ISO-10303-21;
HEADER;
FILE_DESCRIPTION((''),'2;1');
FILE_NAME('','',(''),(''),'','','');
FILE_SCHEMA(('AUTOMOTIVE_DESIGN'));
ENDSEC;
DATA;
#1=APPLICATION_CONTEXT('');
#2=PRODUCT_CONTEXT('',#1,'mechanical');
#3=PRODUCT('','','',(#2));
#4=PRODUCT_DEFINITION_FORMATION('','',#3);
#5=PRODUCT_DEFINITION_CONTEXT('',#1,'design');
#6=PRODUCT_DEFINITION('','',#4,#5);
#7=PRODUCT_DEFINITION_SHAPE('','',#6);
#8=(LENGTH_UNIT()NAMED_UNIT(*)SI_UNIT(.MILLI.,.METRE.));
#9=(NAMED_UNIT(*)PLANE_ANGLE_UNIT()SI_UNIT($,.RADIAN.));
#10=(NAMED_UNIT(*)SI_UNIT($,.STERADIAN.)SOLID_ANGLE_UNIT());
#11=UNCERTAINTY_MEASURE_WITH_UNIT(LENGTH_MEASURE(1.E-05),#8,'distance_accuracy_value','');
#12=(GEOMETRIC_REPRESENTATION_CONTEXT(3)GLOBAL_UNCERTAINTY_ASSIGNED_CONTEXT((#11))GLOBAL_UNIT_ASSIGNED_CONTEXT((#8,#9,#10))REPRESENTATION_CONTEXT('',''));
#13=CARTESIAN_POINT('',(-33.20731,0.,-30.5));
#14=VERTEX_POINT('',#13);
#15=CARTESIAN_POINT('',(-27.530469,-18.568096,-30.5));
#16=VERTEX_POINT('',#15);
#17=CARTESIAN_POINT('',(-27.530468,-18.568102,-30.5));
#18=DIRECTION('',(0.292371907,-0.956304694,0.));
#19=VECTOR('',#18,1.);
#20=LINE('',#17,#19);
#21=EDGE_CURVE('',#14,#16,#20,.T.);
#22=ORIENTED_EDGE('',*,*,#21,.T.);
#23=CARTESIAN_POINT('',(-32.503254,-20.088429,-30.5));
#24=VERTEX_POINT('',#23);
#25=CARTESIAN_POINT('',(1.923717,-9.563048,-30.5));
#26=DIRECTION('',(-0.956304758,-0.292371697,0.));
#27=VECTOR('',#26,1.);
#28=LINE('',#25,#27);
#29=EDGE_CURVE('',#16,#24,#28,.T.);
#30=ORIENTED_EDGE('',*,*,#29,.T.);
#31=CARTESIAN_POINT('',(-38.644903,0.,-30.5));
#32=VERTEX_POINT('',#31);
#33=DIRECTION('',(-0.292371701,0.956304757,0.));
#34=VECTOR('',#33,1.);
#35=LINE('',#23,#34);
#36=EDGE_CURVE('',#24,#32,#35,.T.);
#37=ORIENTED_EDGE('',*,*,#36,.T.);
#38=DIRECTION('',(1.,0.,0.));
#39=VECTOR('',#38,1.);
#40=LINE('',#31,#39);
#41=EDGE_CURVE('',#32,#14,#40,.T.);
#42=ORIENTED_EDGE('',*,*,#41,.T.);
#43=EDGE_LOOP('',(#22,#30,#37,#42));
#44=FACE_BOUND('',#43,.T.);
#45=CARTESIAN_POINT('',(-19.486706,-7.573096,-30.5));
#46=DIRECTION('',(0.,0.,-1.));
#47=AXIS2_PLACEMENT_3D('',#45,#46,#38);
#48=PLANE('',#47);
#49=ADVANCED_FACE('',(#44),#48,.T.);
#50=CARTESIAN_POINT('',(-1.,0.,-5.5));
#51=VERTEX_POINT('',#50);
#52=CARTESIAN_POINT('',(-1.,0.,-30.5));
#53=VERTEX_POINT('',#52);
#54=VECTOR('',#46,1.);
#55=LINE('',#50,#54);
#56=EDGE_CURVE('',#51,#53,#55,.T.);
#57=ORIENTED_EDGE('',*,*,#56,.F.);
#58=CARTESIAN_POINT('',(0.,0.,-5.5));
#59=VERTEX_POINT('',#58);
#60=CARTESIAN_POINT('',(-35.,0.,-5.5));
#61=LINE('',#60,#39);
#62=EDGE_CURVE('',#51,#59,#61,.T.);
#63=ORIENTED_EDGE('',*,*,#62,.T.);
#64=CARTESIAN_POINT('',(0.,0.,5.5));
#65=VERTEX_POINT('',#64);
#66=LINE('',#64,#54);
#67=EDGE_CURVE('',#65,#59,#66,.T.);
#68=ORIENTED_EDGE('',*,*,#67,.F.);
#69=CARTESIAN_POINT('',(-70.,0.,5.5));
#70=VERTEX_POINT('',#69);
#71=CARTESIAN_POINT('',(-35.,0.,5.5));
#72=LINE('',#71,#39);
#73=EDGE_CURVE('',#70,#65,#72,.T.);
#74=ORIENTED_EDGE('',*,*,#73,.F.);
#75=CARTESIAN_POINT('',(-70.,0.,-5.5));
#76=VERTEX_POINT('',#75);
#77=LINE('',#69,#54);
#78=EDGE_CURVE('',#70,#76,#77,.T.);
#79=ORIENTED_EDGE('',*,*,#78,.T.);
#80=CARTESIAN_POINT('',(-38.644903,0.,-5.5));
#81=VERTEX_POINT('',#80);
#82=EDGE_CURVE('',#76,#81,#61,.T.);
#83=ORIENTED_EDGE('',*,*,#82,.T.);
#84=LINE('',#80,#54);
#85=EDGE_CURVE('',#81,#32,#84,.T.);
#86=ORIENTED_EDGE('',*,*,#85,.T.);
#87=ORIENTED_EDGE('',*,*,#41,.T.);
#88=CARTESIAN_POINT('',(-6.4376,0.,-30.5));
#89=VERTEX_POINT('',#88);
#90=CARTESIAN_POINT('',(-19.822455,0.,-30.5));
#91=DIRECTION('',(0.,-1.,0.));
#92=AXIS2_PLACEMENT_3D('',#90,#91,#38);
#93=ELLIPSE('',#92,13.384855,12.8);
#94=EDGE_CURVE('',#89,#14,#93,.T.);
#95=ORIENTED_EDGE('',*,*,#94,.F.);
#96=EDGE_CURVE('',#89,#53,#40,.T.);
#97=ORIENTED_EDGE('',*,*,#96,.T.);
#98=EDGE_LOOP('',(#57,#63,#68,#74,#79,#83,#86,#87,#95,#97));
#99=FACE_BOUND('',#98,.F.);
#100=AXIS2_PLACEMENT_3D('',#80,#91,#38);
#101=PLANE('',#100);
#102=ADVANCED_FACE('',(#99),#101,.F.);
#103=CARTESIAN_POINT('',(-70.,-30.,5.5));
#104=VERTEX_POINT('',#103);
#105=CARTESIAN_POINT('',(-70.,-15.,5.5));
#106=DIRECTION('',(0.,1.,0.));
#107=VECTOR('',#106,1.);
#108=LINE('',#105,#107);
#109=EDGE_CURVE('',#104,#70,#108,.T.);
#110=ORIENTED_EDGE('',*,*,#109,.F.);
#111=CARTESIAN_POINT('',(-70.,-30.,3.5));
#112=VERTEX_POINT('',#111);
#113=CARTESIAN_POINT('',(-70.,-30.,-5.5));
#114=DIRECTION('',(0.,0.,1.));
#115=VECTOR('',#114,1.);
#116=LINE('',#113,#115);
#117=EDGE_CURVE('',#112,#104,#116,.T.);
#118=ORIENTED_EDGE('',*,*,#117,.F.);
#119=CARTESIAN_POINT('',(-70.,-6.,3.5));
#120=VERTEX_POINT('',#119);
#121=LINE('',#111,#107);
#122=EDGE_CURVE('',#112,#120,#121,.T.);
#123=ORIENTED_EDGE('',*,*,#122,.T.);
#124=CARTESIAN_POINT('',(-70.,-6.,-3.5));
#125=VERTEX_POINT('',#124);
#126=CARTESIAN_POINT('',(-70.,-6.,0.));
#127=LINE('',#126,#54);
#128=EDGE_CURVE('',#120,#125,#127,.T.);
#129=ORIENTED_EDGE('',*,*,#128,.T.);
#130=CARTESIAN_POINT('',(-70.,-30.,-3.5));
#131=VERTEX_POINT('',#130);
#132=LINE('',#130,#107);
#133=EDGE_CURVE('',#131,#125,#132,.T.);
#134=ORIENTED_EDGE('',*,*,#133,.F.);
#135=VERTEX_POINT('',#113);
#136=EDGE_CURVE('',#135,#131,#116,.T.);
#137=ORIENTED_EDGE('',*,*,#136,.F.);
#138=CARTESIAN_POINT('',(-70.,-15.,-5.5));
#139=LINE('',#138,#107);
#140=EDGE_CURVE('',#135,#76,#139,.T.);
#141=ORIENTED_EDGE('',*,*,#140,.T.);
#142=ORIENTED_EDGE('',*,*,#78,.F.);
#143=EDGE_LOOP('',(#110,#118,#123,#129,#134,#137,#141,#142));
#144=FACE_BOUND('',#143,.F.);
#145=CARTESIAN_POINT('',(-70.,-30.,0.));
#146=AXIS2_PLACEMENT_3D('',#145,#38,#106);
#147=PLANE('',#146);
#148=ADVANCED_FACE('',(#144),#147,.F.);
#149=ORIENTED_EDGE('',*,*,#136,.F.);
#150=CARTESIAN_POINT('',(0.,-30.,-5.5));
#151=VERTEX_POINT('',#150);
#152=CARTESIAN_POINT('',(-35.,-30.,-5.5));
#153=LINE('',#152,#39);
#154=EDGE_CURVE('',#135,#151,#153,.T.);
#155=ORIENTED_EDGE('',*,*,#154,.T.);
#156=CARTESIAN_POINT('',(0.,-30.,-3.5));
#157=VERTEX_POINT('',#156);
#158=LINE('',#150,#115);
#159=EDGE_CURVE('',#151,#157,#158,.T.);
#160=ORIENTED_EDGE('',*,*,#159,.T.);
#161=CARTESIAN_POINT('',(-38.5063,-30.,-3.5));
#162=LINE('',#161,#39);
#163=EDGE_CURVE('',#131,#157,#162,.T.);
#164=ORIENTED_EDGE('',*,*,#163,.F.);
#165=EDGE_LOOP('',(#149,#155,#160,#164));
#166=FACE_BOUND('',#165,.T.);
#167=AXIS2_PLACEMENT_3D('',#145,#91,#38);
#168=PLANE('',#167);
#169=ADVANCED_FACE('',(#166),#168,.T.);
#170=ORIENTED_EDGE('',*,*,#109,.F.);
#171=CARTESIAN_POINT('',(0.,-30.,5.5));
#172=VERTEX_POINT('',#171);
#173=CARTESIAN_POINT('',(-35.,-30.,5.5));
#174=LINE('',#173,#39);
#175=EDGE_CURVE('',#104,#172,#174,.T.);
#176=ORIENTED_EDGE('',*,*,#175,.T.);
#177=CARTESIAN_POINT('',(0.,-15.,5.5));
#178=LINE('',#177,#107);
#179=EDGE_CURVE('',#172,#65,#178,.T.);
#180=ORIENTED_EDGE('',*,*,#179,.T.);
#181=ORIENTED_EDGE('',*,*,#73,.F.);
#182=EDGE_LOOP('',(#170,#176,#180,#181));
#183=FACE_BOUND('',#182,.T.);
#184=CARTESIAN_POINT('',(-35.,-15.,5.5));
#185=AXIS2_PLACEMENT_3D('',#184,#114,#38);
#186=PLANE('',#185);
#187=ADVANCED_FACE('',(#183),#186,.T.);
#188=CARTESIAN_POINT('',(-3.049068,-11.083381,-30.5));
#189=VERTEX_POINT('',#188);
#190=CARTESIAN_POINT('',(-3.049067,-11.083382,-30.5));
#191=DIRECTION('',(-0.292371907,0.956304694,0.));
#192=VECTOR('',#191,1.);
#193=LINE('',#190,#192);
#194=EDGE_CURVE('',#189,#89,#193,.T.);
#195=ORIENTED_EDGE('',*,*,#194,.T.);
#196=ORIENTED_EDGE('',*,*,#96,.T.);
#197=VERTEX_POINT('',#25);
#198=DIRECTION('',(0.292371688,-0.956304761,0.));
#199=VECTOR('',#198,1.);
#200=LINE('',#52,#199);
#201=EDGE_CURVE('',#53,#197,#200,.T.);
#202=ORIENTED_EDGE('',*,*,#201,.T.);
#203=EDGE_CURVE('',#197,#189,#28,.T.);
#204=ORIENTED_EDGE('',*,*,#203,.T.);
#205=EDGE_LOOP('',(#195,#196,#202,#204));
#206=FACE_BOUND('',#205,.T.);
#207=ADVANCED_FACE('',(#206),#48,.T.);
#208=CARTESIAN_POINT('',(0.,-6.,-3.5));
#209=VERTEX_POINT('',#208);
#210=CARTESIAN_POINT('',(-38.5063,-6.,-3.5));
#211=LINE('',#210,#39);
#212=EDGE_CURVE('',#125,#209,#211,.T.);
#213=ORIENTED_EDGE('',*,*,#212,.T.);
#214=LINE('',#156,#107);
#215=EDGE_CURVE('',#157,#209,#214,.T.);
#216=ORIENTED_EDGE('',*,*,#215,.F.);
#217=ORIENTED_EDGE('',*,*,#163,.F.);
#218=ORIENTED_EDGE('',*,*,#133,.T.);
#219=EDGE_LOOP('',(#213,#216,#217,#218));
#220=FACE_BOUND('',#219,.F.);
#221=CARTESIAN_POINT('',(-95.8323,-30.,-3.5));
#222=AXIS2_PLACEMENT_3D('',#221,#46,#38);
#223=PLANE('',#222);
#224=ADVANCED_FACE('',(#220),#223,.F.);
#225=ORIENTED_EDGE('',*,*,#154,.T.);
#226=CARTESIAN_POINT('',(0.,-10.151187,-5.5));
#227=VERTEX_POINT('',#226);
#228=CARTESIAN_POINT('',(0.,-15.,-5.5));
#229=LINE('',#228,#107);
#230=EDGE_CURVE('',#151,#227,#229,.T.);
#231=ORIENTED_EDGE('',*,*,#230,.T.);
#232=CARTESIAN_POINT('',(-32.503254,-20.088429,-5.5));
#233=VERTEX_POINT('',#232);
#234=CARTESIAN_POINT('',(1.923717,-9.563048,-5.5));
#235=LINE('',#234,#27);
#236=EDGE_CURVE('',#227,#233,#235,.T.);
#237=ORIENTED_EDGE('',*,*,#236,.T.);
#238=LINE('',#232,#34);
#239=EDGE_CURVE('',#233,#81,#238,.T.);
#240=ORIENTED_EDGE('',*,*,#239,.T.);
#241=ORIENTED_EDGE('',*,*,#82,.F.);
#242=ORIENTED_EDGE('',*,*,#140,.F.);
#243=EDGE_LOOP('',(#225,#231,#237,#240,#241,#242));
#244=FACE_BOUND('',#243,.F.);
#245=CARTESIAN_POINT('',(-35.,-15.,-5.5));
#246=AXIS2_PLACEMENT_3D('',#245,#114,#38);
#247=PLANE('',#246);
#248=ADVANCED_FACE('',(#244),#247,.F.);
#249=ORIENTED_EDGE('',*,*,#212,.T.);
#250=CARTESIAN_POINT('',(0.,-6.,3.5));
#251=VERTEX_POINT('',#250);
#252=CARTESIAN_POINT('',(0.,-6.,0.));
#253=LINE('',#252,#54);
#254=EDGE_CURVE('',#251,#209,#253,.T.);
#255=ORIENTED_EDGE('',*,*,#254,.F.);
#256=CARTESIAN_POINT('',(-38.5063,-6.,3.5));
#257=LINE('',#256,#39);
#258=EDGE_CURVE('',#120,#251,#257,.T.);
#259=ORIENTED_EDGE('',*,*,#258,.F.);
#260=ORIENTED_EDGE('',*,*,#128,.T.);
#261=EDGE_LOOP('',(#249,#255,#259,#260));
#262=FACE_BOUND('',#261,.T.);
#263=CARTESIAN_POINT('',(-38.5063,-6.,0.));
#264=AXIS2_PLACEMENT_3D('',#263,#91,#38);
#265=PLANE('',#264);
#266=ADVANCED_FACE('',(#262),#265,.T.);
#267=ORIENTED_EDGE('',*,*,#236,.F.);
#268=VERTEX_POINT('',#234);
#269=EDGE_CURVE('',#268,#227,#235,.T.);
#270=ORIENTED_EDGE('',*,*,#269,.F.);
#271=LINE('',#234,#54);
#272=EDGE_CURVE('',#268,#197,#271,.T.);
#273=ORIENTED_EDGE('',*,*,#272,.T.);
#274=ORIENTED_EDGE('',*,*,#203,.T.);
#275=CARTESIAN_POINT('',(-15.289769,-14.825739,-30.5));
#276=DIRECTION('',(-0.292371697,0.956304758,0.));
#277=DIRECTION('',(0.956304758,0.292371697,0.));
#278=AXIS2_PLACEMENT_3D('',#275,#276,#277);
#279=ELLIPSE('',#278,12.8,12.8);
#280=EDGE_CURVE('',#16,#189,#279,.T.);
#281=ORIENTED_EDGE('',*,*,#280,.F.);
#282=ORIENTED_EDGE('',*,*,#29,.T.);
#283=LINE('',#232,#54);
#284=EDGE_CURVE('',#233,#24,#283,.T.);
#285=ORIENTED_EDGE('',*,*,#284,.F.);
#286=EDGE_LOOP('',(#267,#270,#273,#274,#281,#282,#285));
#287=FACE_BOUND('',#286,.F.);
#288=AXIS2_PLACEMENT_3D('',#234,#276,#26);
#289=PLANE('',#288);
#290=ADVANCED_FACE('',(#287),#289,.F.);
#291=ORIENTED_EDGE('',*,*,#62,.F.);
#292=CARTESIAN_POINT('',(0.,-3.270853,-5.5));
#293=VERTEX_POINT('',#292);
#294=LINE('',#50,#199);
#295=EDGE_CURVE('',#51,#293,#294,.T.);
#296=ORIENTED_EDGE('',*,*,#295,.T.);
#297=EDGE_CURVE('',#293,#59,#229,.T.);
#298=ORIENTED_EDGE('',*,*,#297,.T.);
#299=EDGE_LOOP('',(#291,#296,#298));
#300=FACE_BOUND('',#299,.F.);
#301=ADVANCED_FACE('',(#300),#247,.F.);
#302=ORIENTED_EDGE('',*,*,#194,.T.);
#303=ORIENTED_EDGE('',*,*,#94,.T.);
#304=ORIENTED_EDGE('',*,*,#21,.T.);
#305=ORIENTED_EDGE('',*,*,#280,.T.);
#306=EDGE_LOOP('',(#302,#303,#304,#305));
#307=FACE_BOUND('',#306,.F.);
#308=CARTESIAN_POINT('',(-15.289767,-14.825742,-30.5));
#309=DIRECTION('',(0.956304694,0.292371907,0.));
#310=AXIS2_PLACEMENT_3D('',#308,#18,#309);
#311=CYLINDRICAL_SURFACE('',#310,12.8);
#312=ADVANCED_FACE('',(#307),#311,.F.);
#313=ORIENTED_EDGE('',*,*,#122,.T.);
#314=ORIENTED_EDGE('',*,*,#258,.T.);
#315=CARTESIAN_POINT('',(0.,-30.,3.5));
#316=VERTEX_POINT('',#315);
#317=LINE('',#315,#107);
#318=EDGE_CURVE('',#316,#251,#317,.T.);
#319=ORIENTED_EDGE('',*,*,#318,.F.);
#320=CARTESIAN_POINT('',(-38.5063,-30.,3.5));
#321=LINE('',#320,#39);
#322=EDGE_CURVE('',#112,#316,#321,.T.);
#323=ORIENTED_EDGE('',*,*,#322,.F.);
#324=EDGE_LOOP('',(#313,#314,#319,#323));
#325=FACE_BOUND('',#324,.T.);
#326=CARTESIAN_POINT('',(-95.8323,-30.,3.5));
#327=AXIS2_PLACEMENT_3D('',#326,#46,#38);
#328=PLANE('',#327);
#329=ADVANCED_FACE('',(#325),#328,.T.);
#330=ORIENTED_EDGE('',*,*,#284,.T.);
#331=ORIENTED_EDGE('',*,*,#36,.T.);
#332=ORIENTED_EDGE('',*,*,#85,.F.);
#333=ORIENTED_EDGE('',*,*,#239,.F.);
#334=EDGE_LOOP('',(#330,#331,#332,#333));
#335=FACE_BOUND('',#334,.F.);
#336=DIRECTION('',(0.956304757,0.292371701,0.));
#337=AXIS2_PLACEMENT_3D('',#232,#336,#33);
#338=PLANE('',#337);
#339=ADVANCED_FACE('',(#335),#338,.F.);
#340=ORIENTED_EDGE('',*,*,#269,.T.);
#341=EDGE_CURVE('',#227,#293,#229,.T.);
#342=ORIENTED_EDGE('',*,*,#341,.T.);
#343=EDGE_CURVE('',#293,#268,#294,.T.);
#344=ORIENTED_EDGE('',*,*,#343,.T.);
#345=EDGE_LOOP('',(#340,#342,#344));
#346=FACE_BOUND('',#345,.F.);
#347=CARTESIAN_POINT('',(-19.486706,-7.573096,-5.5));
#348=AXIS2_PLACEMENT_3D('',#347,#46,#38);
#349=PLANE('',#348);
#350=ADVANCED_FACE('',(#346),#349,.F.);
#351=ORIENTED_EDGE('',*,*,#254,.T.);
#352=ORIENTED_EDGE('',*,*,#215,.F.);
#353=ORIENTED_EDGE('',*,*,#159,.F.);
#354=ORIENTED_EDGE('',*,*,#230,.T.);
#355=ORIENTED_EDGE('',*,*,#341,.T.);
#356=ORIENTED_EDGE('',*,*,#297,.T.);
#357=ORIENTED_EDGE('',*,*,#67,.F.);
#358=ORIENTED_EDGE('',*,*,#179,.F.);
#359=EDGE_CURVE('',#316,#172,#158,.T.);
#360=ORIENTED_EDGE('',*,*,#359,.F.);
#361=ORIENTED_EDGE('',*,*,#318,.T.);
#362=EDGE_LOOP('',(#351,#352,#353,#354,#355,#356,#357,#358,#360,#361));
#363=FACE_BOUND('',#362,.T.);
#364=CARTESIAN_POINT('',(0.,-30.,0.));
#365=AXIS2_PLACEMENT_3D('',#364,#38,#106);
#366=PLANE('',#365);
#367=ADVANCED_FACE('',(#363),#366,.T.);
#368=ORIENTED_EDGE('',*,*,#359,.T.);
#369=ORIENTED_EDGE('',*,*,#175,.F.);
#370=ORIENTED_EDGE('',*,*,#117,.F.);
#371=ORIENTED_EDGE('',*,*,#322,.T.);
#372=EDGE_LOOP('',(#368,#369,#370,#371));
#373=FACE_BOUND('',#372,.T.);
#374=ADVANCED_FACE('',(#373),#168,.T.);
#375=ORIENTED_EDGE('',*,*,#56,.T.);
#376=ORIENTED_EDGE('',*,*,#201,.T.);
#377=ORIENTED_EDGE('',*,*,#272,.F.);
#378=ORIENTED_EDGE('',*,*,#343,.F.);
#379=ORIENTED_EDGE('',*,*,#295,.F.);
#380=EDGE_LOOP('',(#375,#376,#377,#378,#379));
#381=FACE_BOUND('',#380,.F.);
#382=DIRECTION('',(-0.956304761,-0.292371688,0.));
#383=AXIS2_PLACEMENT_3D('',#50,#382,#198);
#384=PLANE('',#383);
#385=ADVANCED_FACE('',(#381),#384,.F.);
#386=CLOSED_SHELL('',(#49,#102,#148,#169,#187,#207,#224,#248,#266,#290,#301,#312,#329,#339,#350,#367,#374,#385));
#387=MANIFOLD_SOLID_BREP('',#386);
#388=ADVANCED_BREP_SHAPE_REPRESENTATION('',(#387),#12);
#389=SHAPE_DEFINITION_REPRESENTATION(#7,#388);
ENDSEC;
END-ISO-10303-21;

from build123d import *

# Parameters (mm, degrees)
SKETCH_W        = 70
SKETCH_H        = 30
PAD_DEPTH       = 5.5
SKETCH001_W     = 114.652
SKETCH001_H     = 7
POCKET_DEPTH    = 24
PAD001_DEPTH    = 25
SKETCH004_R     = 12.8
POCKET001_DEPTH = 30.174648


with BuildPart() as part:
    # Sketch → Pad (new body, symmetric)
    with BuildSketch(Plane.XY):
        with Locations((-35, -15)):
            Rectangle(SKETCH_W, SKETCH_H)
    extrude(amount=PAD_DEPTH, both=True)

    # Sketch001 → Pocket (cut)
    with BuildSketch(Plane.XZ.offset(30)):
        with Locations((-38.5063, 0)):
            Rectangle(SKETCH001_W, SKETCH001_H)
    extrude(amount=-POCKET_DEPTH, mode=Mode.SUBTRACT)

    # Sketch003 → Pad001 (new body)
    with BuildSketch(Plane(origin=(0, 0, -5.5), x_dir=(1, 0, 0), z_dir=(0, 0, -1))):
        Polygon((-38.644903, 0), (-1, 0), (1.923717, 9.563048), (-32.503254, 20.088429), align=None)
        Polygon((-38.644903, 0), (-1, 0), align=None)
    extrude(amount=PAD001_DEPTH)

    # Sketch004 → Pocket001 (cut, through all)
    with BuildSketch(Plane(origin=(2.838236, -9.283451, 0), x_dir=(0.956305, 0.292372, 0), z_dir=(0.292372, -0.956305, 0))):
        with Locations((-18.956305, -30.5)):
            Circle(SKETCH004_R)
    extrude(amount=-POCKET001_DEPTH, mode=Mode.SUBTRACT)


solid = part.part
